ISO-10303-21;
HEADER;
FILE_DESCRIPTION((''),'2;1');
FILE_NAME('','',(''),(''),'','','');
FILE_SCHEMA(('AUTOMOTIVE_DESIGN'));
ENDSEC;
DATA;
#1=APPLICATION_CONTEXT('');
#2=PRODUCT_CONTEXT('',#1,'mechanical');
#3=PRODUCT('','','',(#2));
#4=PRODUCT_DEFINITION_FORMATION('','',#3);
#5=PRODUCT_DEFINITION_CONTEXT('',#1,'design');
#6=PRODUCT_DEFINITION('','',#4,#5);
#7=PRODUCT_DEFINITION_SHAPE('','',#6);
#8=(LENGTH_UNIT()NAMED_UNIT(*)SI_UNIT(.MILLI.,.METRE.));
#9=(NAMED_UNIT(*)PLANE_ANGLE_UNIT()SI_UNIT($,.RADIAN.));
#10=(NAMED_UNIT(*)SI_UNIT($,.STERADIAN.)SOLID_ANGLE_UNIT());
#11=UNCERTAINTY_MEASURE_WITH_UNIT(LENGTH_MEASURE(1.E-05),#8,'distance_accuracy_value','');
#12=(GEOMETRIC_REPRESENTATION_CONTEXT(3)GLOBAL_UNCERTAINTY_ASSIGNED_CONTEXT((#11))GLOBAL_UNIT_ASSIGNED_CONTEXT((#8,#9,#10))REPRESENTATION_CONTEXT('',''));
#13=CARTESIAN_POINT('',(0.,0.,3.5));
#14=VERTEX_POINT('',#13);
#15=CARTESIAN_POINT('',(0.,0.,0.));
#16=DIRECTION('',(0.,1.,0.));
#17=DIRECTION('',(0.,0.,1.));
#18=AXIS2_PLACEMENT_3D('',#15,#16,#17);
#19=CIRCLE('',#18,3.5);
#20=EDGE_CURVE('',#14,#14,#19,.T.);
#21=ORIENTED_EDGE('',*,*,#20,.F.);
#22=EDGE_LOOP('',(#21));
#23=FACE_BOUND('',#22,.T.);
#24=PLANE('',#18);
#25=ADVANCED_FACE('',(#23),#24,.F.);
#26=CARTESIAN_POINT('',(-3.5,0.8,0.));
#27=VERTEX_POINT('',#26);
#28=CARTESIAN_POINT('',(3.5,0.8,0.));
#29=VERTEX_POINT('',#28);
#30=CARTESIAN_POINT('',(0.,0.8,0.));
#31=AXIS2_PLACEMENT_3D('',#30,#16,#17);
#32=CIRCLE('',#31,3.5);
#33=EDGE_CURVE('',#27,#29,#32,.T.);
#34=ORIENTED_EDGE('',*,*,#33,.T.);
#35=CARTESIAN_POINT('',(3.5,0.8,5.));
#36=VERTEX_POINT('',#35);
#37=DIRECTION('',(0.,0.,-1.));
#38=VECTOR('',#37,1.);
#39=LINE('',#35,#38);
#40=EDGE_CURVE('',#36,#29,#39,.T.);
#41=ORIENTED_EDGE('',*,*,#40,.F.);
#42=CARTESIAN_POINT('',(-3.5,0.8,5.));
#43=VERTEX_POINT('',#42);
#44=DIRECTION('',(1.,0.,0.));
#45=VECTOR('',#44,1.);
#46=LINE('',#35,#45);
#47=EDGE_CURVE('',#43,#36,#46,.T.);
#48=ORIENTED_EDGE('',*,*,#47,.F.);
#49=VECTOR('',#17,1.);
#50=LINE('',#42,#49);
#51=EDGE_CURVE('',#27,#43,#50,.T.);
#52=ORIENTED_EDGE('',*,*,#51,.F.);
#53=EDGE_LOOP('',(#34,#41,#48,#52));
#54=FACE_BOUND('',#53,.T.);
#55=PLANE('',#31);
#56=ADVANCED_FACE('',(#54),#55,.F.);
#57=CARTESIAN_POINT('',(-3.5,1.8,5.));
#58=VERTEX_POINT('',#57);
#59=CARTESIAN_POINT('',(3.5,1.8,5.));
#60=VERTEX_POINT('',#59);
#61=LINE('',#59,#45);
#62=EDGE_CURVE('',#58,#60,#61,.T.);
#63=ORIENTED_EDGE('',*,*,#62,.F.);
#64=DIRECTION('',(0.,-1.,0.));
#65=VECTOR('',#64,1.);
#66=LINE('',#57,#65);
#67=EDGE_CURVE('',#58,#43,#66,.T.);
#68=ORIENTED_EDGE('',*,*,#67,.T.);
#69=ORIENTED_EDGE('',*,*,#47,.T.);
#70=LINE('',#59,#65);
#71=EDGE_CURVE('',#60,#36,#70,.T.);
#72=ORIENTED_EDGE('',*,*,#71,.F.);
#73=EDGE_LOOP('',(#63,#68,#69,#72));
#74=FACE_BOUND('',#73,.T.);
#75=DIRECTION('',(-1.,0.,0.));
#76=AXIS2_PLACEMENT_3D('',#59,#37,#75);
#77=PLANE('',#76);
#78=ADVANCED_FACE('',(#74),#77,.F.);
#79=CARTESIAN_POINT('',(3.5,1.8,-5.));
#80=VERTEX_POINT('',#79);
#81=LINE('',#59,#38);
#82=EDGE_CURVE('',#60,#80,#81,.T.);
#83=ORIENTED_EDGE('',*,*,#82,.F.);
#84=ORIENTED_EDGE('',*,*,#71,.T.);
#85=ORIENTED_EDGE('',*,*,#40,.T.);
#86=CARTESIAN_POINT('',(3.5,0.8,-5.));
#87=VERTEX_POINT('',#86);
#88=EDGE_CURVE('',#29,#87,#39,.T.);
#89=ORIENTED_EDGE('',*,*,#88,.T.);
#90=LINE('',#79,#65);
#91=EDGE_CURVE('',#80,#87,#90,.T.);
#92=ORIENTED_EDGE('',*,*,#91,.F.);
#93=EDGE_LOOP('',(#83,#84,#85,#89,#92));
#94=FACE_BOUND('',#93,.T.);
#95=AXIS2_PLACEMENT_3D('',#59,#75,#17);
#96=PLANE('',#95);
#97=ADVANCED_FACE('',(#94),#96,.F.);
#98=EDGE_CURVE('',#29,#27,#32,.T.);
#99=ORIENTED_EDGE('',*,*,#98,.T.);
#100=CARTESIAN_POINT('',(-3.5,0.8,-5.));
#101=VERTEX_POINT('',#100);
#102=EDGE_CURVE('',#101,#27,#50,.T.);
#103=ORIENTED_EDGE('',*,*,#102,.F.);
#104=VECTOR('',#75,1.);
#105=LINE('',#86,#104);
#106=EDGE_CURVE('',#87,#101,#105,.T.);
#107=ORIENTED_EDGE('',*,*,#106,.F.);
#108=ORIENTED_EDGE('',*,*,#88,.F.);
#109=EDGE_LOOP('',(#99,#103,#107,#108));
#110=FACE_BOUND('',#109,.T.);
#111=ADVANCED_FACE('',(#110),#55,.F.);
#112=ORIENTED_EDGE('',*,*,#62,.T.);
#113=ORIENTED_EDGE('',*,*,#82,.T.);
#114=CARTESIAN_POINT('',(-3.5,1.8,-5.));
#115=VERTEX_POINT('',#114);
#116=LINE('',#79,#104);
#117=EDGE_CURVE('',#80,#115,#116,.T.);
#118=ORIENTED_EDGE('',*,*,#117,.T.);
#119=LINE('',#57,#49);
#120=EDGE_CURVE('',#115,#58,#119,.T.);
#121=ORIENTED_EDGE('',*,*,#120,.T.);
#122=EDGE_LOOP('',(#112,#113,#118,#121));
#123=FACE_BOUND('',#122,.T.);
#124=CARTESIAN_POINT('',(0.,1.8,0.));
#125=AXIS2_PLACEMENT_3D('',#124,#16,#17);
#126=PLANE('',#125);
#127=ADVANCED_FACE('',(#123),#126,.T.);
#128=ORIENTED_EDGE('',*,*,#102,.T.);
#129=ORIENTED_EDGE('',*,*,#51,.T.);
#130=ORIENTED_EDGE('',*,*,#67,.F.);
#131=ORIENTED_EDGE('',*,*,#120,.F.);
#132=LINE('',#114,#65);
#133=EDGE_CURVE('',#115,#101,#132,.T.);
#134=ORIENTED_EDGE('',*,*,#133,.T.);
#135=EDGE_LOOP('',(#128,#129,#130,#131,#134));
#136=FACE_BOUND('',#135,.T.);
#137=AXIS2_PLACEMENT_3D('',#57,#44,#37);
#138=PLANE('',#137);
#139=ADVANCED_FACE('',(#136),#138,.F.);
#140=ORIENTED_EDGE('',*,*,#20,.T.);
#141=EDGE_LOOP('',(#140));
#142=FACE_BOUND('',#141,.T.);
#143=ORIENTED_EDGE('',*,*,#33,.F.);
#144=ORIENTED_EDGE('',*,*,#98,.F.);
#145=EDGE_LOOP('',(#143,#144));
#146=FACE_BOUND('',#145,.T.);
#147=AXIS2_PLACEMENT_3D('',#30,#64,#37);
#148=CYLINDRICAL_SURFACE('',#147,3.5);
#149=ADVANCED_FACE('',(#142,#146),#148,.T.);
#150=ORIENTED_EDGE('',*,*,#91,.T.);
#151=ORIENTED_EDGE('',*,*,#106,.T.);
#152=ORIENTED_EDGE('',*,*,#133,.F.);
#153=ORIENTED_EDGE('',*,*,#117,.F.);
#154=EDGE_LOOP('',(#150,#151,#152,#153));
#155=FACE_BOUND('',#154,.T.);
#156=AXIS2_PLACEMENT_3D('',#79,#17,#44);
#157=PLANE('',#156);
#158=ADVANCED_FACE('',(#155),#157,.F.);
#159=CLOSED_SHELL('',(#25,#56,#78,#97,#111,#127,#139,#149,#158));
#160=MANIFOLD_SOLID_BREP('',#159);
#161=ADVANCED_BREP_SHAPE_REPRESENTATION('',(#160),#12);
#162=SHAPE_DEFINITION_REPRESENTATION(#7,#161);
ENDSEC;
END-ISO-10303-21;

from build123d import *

# Parameters (mm, degrees)
SKETCH1_R           = 3.5
BOSS_EXTRUDE1_DEPTH = 0.8
SKETCH2_W           = 7
SKETCH2_H           = 10
BOSS_EXTRUDE2_DEPTH = 1


with BuildPart() as part:
    # Sketch1 → Boss-Extrude1 (new body)
    with BuildSketch(Plane(origin=(0, 0, 0), x_dir=(1, 0, 0), z_dir=(0, 1, 0))):
        with Locations(Location((0, 0, 0), (0, 0, 270))):
            Circle(SKETCH1_R)
    extrude(amount=BOSS_EXTRUDE1_DEPTH)

    # Sketch2 → Boss-Extrude2 (add)
    with BuildSketch(Plane(origin=(0, 0.8, 0), x_dir=(1, 0, 0), z_dir=(0, 1, 0))):
        Rectangle(SKETCH2_W, SKETCH2_H)
    extrude(amount=BOSS_EXTRUDE2_DEPTH)


solid = part.part
